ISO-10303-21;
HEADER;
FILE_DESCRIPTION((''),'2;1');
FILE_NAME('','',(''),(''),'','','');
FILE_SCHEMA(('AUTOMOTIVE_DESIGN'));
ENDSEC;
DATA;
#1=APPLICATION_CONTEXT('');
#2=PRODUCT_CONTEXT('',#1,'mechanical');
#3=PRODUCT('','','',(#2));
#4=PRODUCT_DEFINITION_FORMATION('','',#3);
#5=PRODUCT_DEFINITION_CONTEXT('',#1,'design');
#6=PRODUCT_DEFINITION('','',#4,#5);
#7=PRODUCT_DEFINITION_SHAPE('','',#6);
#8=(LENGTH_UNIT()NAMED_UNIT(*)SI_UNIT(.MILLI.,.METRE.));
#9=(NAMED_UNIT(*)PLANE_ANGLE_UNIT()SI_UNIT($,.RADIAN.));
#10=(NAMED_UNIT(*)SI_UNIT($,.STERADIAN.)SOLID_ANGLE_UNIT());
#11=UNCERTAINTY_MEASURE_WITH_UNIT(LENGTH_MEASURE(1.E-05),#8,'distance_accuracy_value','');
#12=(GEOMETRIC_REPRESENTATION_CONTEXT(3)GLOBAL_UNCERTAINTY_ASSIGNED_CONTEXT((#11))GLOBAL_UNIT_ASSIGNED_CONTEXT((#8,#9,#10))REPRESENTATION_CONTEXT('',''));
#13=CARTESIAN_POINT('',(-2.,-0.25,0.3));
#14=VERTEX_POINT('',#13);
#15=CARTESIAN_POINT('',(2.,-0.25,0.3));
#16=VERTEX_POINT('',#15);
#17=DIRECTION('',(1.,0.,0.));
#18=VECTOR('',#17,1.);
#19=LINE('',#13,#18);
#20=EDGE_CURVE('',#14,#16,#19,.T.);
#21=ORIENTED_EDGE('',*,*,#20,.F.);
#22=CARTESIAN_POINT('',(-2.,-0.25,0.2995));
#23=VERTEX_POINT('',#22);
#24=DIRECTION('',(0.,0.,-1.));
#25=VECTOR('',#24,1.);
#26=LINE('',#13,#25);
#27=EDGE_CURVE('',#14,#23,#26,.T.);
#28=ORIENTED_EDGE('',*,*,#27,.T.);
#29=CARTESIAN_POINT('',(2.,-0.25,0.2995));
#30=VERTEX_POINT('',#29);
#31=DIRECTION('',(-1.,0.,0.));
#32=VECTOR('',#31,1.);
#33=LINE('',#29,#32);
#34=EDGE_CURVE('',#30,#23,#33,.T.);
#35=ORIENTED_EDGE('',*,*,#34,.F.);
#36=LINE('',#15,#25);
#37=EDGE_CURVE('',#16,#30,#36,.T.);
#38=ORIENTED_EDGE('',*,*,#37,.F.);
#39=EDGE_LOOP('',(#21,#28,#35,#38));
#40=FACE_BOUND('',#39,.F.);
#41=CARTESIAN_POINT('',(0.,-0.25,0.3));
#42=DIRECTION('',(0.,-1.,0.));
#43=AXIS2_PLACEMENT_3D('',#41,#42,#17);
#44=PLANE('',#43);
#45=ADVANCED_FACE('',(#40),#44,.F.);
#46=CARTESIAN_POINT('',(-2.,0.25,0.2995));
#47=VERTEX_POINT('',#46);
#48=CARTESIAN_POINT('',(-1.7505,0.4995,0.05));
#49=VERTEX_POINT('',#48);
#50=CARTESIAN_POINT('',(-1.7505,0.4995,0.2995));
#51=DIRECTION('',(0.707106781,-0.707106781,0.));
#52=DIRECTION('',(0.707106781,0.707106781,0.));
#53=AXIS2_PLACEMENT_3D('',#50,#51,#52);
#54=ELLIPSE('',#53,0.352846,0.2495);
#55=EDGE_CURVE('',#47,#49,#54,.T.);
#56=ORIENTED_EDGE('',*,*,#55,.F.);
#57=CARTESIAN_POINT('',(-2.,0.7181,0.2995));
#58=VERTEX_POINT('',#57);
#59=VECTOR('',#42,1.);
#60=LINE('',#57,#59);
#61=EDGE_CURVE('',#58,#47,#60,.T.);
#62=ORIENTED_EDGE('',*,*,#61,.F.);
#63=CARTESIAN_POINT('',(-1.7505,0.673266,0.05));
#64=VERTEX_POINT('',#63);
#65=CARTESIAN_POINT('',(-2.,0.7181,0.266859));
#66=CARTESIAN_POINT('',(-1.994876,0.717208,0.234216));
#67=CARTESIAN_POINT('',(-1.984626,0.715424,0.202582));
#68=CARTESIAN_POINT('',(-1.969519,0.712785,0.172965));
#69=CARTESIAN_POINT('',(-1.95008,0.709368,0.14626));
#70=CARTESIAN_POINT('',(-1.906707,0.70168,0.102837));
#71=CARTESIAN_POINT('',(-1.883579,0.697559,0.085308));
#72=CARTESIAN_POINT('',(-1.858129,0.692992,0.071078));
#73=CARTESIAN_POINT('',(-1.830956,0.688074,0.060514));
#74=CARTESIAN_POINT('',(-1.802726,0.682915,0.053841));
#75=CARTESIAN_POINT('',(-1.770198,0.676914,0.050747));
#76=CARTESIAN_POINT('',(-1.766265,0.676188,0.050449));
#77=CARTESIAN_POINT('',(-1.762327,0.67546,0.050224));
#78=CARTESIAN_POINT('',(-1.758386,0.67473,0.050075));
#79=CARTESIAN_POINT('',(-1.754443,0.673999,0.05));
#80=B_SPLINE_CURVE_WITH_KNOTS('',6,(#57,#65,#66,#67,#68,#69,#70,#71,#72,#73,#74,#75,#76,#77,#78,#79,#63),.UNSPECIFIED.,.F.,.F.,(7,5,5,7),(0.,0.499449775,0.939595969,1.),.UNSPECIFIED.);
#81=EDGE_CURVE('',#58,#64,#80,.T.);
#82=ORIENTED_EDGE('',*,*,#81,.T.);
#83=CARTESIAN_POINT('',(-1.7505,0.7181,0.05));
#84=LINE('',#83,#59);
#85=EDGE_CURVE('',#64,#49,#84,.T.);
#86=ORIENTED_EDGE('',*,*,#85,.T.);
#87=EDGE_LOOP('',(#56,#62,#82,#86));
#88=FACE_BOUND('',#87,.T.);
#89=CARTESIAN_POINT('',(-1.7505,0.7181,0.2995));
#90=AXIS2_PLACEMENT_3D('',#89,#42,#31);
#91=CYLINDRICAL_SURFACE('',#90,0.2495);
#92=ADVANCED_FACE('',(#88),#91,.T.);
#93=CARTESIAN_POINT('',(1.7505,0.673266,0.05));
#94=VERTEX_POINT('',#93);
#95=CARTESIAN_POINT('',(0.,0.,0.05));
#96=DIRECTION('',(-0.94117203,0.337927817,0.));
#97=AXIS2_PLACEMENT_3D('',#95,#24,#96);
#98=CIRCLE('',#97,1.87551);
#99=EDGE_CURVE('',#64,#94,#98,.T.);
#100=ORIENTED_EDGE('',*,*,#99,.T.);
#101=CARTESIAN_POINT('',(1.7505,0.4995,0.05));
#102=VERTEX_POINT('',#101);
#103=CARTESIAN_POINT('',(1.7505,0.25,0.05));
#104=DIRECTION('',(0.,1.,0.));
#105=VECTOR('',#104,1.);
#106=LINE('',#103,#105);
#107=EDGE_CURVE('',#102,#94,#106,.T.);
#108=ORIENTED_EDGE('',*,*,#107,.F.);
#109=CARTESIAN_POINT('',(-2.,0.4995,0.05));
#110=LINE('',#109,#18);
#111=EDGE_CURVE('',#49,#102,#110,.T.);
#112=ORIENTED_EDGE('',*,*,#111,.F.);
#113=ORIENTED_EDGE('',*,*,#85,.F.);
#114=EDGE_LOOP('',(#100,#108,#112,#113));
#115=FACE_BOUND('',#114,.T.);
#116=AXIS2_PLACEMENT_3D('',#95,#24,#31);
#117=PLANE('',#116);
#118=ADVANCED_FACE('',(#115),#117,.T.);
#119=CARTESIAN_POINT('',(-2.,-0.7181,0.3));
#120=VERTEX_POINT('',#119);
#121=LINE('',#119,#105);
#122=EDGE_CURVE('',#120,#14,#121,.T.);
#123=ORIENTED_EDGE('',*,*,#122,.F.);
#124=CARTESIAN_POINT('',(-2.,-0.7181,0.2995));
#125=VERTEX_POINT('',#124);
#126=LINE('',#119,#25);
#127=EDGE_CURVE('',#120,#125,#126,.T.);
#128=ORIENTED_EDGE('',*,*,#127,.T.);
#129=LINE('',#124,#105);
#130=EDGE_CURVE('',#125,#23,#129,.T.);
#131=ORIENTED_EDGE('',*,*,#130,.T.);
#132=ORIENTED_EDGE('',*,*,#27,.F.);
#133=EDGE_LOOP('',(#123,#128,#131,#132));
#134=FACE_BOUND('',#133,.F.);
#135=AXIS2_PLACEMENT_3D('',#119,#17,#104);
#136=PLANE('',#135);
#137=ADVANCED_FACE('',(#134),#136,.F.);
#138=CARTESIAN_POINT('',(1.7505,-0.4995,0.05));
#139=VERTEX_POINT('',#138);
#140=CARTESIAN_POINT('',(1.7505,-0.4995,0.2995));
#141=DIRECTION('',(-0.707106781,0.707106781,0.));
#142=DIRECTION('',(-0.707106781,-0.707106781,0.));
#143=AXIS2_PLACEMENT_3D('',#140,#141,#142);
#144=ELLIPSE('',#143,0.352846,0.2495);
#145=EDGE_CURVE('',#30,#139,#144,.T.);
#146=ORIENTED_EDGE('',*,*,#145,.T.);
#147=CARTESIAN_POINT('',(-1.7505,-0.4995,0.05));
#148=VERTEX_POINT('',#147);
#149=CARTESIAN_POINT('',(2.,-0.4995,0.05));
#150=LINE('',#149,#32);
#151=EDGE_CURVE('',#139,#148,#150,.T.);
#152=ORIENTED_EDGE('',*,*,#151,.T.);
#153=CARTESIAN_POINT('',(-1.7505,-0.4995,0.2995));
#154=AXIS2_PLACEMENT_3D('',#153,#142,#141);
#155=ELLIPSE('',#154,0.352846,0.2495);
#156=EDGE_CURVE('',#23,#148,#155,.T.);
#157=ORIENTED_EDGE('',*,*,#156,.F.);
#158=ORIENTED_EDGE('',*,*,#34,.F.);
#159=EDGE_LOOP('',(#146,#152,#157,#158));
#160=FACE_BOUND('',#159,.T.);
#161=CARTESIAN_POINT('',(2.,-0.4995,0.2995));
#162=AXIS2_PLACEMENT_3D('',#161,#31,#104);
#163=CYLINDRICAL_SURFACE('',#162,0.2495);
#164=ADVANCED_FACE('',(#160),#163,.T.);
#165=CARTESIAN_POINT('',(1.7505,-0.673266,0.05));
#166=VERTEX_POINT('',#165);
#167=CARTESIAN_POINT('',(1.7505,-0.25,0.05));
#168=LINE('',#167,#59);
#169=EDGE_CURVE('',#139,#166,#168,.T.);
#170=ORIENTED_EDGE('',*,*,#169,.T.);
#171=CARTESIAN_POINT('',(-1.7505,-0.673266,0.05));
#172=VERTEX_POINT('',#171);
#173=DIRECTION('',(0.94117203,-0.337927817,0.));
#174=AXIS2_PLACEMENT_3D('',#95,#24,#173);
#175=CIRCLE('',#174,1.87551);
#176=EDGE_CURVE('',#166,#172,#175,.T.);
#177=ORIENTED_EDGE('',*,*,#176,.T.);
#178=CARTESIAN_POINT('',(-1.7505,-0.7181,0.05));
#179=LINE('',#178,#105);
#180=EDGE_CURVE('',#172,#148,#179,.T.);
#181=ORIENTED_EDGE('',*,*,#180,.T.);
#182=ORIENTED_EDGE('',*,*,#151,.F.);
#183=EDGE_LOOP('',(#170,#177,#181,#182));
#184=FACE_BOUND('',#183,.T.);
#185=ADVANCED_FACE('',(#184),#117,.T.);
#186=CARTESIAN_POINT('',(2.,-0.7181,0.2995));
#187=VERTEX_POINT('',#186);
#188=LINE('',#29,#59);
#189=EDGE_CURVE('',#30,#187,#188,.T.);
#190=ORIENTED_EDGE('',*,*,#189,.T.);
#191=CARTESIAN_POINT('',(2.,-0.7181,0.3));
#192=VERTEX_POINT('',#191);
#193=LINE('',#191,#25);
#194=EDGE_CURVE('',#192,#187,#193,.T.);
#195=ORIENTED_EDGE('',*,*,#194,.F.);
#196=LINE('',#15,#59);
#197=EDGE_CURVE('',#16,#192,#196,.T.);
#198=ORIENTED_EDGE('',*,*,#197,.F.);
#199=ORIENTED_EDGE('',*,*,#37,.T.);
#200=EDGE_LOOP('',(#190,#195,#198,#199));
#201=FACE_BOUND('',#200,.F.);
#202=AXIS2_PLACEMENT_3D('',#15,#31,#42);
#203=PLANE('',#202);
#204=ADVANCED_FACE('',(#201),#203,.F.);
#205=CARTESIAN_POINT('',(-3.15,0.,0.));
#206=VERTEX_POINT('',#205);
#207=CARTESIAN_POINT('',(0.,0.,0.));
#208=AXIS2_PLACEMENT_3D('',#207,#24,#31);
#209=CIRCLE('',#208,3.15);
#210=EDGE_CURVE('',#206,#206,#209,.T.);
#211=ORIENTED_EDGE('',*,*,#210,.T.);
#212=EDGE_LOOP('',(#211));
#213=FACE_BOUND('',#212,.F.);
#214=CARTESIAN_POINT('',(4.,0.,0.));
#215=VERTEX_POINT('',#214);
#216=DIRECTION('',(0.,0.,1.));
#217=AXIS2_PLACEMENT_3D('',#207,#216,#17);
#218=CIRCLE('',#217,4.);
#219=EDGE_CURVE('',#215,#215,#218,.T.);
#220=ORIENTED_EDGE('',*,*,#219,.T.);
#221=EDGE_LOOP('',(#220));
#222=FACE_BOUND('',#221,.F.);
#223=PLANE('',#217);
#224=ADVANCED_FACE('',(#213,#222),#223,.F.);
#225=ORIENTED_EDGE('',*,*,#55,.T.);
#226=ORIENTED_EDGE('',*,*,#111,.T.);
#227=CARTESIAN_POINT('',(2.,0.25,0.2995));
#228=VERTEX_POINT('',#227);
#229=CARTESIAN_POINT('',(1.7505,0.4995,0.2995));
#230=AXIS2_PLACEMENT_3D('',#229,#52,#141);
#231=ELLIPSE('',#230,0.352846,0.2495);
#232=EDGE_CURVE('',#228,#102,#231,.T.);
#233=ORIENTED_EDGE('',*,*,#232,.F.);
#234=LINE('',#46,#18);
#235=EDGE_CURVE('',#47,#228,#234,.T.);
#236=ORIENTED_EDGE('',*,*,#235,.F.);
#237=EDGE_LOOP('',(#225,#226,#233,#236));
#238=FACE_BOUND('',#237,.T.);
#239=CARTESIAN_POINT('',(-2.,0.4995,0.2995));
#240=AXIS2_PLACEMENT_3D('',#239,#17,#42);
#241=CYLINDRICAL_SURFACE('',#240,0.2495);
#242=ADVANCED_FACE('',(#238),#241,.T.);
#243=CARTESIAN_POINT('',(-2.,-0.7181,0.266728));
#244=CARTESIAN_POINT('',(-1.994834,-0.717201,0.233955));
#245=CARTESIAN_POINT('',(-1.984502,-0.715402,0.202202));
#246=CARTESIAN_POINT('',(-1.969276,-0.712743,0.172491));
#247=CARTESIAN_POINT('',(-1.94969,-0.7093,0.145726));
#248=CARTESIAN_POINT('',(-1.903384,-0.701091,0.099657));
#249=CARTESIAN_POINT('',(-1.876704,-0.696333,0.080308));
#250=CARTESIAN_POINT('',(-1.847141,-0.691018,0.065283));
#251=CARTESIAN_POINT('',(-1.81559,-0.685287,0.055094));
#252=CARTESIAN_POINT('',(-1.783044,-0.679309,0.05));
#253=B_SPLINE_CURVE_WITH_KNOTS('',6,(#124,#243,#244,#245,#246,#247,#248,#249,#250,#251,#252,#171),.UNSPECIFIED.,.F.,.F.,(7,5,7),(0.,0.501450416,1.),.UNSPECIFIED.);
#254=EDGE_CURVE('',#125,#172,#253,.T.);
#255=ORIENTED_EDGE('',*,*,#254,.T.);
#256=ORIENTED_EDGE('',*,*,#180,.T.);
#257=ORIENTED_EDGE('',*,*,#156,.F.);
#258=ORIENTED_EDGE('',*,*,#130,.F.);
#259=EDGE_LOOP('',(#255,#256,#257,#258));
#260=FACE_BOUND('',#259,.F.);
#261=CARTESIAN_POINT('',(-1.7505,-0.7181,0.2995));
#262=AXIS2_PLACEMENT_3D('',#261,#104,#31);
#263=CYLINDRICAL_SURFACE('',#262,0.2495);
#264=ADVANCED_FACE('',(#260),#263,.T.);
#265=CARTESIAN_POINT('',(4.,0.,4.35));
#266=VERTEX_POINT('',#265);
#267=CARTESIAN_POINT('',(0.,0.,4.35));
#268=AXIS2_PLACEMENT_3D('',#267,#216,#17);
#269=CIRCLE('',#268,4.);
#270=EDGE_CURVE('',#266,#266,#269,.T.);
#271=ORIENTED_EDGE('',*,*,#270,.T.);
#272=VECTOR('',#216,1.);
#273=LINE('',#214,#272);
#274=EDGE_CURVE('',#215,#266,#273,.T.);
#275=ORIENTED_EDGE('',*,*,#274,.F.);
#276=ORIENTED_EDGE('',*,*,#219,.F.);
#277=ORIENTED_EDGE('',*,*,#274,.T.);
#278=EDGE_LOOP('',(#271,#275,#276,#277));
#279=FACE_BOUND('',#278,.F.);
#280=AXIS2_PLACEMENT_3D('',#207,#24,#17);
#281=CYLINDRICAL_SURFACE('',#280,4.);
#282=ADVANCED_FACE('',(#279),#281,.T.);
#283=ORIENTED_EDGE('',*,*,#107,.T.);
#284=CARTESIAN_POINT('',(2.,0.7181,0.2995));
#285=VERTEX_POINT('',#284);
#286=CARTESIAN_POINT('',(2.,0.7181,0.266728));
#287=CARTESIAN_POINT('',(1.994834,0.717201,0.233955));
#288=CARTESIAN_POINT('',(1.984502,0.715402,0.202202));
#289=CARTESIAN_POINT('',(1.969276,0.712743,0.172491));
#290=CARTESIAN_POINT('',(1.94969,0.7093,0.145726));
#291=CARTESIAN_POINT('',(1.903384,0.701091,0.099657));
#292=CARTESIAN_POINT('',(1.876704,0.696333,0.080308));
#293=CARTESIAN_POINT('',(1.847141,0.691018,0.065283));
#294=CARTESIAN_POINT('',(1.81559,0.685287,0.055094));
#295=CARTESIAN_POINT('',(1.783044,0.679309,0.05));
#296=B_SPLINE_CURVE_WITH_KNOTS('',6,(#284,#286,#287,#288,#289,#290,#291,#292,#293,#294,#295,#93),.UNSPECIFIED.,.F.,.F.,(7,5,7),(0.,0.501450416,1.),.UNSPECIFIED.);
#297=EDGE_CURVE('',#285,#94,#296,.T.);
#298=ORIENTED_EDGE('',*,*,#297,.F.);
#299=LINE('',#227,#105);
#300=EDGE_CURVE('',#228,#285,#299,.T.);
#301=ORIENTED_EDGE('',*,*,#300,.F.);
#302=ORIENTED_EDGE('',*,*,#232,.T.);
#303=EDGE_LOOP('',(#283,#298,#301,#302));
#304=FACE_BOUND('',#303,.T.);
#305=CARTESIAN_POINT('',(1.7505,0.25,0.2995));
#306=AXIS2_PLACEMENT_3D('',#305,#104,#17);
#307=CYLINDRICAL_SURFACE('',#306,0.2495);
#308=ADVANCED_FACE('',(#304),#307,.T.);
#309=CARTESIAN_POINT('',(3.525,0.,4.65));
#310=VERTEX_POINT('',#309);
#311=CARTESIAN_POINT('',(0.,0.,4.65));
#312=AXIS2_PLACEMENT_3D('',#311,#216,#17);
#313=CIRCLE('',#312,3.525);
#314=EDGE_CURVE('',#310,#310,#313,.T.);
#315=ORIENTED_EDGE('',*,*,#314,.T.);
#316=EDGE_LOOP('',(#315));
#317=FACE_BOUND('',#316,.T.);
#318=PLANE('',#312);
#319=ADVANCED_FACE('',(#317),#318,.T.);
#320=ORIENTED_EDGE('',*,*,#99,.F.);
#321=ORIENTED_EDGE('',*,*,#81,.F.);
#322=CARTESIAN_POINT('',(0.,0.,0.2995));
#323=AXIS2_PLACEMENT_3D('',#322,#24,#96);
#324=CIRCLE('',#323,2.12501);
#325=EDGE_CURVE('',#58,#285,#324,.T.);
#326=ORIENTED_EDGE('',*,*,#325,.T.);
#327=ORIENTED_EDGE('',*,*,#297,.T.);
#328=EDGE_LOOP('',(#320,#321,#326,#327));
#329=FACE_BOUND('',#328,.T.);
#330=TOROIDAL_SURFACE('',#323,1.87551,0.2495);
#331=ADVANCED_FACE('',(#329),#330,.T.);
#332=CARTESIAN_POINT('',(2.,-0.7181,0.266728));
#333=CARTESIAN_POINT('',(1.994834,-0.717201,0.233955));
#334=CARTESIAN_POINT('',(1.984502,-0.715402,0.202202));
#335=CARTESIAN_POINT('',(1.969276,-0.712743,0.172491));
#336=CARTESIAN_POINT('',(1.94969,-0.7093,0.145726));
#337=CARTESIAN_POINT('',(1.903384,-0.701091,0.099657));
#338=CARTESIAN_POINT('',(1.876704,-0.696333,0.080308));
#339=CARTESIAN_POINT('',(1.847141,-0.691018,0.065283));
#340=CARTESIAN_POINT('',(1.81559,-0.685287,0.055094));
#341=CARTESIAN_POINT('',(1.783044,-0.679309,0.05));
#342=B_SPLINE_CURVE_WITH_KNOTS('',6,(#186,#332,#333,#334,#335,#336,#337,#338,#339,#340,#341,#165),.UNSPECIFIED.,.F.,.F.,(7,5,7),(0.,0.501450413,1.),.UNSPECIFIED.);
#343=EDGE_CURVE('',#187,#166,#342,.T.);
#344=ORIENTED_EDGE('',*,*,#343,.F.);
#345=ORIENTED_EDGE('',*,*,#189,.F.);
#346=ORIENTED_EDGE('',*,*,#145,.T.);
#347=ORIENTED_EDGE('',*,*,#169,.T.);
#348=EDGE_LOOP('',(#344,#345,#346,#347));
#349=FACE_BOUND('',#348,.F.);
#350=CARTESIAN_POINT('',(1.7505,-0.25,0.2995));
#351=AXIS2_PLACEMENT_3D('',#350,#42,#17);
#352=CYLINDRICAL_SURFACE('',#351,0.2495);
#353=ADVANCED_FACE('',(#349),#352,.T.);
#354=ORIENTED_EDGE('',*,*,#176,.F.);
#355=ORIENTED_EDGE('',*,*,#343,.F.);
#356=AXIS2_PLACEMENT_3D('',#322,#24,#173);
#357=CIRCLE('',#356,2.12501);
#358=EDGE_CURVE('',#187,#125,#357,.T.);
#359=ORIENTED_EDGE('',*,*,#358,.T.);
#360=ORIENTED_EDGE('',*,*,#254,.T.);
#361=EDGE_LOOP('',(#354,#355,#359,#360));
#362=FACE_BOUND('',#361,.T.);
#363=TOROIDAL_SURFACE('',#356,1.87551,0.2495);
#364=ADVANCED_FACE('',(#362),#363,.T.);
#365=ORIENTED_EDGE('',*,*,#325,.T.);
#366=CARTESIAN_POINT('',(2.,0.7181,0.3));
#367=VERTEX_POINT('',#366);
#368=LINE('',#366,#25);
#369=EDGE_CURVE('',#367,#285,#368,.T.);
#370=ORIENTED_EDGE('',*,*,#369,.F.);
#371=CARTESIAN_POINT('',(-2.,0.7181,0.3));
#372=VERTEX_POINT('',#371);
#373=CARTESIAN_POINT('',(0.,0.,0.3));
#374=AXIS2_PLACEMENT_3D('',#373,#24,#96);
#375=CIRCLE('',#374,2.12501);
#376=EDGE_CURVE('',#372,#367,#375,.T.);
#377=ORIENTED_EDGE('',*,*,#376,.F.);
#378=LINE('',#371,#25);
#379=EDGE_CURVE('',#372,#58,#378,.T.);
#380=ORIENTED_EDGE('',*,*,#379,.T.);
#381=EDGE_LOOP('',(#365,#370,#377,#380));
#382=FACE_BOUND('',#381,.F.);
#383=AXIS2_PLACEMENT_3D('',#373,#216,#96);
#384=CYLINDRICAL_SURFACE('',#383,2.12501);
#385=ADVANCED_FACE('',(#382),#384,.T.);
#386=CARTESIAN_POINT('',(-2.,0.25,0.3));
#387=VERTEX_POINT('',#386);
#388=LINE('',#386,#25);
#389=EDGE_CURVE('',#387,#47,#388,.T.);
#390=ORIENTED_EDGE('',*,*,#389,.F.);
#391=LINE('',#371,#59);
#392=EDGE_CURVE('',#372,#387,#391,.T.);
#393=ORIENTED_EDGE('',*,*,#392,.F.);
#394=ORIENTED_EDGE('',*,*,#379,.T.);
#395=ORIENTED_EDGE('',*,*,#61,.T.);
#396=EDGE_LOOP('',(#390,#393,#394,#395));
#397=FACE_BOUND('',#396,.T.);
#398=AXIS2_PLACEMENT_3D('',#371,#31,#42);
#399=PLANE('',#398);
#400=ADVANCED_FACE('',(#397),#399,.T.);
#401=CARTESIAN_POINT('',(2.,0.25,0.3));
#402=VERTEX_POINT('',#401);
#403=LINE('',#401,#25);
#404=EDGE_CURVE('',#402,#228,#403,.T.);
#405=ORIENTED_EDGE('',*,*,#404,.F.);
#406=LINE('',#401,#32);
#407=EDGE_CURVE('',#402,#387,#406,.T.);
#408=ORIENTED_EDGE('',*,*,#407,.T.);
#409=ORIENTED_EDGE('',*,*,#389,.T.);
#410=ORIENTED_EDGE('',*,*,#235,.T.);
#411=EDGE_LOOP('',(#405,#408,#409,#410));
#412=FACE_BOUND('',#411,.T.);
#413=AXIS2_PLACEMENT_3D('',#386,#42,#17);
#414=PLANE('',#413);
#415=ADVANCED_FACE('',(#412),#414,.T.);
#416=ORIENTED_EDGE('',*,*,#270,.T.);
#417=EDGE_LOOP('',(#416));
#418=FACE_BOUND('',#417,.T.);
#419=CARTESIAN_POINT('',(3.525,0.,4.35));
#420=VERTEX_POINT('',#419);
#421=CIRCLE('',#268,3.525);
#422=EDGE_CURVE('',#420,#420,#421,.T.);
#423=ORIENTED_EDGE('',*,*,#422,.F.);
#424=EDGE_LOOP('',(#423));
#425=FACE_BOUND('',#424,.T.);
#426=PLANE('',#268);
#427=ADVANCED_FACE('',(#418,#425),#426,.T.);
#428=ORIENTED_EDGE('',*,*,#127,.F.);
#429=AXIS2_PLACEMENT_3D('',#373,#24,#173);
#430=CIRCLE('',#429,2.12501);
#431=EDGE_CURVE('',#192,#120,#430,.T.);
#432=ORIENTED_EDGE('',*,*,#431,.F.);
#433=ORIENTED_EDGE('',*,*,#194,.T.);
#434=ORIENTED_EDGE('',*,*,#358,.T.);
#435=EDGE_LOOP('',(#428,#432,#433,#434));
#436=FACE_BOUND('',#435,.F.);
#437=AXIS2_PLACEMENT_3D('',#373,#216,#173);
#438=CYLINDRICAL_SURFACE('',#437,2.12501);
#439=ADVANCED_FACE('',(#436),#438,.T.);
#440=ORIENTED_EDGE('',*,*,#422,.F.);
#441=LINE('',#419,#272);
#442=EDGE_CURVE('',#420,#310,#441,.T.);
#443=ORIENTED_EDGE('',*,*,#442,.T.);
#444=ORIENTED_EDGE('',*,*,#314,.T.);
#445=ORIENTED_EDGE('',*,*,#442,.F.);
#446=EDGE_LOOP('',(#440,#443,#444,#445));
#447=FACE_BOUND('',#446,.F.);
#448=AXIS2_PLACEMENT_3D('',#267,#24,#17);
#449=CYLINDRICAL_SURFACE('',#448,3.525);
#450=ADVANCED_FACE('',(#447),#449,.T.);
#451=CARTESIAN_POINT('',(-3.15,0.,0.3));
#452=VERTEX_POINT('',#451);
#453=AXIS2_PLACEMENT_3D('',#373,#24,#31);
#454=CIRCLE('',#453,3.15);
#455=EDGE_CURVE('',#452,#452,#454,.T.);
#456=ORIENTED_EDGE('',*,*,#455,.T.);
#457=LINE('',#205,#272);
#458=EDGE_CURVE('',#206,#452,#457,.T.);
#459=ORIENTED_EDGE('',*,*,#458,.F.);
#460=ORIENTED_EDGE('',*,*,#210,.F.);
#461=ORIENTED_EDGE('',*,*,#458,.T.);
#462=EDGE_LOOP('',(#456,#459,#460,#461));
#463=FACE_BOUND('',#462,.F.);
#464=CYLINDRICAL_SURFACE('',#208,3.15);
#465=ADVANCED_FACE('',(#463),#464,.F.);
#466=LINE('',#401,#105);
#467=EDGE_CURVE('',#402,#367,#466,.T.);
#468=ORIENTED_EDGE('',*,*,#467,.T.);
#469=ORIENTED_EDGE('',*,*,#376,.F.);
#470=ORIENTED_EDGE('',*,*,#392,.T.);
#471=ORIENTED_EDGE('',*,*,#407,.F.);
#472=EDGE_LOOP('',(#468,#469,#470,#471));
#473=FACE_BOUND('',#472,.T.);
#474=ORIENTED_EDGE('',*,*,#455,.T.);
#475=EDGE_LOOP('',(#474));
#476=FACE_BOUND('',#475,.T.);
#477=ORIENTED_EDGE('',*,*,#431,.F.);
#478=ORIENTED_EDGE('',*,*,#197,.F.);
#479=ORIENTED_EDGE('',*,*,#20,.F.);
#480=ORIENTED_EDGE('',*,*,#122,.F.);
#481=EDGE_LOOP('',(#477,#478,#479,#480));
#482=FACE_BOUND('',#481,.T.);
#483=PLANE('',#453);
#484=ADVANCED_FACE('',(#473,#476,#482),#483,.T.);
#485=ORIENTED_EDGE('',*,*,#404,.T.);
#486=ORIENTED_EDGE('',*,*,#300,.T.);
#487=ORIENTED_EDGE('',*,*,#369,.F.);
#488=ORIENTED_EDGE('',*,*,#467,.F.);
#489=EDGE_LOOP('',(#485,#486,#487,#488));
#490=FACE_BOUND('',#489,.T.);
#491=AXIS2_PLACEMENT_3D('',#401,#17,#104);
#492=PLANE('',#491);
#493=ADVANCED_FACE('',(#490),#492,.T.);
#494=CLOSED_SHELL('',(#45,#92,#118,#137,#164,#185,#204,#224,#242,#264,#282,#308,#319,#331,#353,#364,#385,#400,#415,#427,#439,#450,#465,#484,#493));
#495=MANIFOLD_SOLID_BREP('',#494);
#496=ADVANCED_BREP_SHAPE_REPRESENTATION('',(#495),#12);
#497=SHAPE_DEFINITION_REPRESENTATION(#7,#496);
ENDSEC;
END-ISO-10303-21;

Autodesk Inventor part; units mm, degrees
ref_plane "YZ Plane" through (0, 0, 0) normal (1, 0, 0) x (0, 1, 0)
ref_plane "XZ Plane" through (0, 0, 0) normal (0, 1, 0) x (-1, 0, 0)
ref_plane "XY Plane" through (0, 0, 0) normal (0, 0, 1) x (1, 0, 0)
sketch "Sketch1" plane through (0, 0, 0) normal (0, 0, 1) x (1, 0, 0)
  circle A0 centre (0, 0) radius 4
  dimension "d0" = 8
extrude "Extrusion1" add sketch "Sketch1" along normal blind 4.35
sketch "Sketch2" plane through (0, 0, 4.35) normal (0, 0, 1) x (1, 0, 0)
  circle A0 centre (0, 0) radius 3.525
  circle A1 centre (0, 0) radius 4 projected
  dimension "d16" = 7.05
extrude "Extrusion2" add sketch "Sketch2" along normal blind 0.3 contours A0
sketch "Sketch3" plane through (0, 0, 0) normal (0, 0, -1) x (-1, 0, 0)
  circle A0 centre (0, 0) radius 3.15
  circle A1 centre (0, 0) radius 4 projected
  dimension "d17" = 6.3
extrude "Extrusion3" cut sketch "Sketch3" against normal blind 0.3 contours A0
sketch "Sketch4" plane through (0, 0, 0.3) normal (0, 0, -1) x (-1, 0, 0)
  arc A0 (2, 0.7181) -> (-2, 0.7181) centre (0, 0) ccw
  line L0 (2, 0.7181) -> (2, 0.25)
  line L1 (2, 0.25) -> (0, 0.25)
  line L2 (-2, 0.25) -> (-2, 0.7181)
  circle A1 centre (0, 0) radius 3.525 construction
  circle A2 centre (0, 0) radius 3.15 construction
  line L3 (0, 0) -> (0, 3.15) construction
  line L4 (0, 0.25) -> (-2, 0.25)
  line L5 (0, 0) -> (3.15, 0) construction
  arc A3 (-2, -0.7181) -> (2, -0.7181) centre (0, 0) ccw
  line L6 (2, -0.7181) -> (2, -0.25)
  line L7 (2, -0.25) -> (0, -0.25)
  line L8 (-2, -0.25) -> (-2, -0.7181)
  line L9 (0, -0.25) -> (-2, -0.25)
  dimension "d9" = 1.4
  dimension "d10" = 2
  dimension "d12" = 0.5
extrude "Extrusion4" add sketch "Sketch4" along normal blind 0.25
fillet "Fillet1" radius 0.25 8 edges at (0, 2.125, 0.05) (2, 0.484, 0.05) (0, 0.25, 0.05) (-2, 0.484, 0.05) (0, -0.25, 0.05) (2, -0.484, 0.05) (0, -2.125, 0.05) (-2, -0.484, 0.05)
equation "\"d9\" = leadInset"
equation "\"d10\" = 0.5 * leadWidth"
equation "\"d12\" = leadSeparation"
equation "\"d13\" = leadExtrusion"
equation "\"d15\" = leadExtrusion"
equation "\"membraneInset\" = 0.25"
equation "\"backplateInset\" = membraneInset"
equation "\"backplateExtrusion\" = 0.125"
equation "\"leadInset\" = 1.4"
equation "\"leadSeparation\" = 0.5"
equation "\"leadWidth\" = 4"
equation "\"leadExtrusion\" = 2 * backplateExtrusion"
properties part number "Mic_Unidirectional"
